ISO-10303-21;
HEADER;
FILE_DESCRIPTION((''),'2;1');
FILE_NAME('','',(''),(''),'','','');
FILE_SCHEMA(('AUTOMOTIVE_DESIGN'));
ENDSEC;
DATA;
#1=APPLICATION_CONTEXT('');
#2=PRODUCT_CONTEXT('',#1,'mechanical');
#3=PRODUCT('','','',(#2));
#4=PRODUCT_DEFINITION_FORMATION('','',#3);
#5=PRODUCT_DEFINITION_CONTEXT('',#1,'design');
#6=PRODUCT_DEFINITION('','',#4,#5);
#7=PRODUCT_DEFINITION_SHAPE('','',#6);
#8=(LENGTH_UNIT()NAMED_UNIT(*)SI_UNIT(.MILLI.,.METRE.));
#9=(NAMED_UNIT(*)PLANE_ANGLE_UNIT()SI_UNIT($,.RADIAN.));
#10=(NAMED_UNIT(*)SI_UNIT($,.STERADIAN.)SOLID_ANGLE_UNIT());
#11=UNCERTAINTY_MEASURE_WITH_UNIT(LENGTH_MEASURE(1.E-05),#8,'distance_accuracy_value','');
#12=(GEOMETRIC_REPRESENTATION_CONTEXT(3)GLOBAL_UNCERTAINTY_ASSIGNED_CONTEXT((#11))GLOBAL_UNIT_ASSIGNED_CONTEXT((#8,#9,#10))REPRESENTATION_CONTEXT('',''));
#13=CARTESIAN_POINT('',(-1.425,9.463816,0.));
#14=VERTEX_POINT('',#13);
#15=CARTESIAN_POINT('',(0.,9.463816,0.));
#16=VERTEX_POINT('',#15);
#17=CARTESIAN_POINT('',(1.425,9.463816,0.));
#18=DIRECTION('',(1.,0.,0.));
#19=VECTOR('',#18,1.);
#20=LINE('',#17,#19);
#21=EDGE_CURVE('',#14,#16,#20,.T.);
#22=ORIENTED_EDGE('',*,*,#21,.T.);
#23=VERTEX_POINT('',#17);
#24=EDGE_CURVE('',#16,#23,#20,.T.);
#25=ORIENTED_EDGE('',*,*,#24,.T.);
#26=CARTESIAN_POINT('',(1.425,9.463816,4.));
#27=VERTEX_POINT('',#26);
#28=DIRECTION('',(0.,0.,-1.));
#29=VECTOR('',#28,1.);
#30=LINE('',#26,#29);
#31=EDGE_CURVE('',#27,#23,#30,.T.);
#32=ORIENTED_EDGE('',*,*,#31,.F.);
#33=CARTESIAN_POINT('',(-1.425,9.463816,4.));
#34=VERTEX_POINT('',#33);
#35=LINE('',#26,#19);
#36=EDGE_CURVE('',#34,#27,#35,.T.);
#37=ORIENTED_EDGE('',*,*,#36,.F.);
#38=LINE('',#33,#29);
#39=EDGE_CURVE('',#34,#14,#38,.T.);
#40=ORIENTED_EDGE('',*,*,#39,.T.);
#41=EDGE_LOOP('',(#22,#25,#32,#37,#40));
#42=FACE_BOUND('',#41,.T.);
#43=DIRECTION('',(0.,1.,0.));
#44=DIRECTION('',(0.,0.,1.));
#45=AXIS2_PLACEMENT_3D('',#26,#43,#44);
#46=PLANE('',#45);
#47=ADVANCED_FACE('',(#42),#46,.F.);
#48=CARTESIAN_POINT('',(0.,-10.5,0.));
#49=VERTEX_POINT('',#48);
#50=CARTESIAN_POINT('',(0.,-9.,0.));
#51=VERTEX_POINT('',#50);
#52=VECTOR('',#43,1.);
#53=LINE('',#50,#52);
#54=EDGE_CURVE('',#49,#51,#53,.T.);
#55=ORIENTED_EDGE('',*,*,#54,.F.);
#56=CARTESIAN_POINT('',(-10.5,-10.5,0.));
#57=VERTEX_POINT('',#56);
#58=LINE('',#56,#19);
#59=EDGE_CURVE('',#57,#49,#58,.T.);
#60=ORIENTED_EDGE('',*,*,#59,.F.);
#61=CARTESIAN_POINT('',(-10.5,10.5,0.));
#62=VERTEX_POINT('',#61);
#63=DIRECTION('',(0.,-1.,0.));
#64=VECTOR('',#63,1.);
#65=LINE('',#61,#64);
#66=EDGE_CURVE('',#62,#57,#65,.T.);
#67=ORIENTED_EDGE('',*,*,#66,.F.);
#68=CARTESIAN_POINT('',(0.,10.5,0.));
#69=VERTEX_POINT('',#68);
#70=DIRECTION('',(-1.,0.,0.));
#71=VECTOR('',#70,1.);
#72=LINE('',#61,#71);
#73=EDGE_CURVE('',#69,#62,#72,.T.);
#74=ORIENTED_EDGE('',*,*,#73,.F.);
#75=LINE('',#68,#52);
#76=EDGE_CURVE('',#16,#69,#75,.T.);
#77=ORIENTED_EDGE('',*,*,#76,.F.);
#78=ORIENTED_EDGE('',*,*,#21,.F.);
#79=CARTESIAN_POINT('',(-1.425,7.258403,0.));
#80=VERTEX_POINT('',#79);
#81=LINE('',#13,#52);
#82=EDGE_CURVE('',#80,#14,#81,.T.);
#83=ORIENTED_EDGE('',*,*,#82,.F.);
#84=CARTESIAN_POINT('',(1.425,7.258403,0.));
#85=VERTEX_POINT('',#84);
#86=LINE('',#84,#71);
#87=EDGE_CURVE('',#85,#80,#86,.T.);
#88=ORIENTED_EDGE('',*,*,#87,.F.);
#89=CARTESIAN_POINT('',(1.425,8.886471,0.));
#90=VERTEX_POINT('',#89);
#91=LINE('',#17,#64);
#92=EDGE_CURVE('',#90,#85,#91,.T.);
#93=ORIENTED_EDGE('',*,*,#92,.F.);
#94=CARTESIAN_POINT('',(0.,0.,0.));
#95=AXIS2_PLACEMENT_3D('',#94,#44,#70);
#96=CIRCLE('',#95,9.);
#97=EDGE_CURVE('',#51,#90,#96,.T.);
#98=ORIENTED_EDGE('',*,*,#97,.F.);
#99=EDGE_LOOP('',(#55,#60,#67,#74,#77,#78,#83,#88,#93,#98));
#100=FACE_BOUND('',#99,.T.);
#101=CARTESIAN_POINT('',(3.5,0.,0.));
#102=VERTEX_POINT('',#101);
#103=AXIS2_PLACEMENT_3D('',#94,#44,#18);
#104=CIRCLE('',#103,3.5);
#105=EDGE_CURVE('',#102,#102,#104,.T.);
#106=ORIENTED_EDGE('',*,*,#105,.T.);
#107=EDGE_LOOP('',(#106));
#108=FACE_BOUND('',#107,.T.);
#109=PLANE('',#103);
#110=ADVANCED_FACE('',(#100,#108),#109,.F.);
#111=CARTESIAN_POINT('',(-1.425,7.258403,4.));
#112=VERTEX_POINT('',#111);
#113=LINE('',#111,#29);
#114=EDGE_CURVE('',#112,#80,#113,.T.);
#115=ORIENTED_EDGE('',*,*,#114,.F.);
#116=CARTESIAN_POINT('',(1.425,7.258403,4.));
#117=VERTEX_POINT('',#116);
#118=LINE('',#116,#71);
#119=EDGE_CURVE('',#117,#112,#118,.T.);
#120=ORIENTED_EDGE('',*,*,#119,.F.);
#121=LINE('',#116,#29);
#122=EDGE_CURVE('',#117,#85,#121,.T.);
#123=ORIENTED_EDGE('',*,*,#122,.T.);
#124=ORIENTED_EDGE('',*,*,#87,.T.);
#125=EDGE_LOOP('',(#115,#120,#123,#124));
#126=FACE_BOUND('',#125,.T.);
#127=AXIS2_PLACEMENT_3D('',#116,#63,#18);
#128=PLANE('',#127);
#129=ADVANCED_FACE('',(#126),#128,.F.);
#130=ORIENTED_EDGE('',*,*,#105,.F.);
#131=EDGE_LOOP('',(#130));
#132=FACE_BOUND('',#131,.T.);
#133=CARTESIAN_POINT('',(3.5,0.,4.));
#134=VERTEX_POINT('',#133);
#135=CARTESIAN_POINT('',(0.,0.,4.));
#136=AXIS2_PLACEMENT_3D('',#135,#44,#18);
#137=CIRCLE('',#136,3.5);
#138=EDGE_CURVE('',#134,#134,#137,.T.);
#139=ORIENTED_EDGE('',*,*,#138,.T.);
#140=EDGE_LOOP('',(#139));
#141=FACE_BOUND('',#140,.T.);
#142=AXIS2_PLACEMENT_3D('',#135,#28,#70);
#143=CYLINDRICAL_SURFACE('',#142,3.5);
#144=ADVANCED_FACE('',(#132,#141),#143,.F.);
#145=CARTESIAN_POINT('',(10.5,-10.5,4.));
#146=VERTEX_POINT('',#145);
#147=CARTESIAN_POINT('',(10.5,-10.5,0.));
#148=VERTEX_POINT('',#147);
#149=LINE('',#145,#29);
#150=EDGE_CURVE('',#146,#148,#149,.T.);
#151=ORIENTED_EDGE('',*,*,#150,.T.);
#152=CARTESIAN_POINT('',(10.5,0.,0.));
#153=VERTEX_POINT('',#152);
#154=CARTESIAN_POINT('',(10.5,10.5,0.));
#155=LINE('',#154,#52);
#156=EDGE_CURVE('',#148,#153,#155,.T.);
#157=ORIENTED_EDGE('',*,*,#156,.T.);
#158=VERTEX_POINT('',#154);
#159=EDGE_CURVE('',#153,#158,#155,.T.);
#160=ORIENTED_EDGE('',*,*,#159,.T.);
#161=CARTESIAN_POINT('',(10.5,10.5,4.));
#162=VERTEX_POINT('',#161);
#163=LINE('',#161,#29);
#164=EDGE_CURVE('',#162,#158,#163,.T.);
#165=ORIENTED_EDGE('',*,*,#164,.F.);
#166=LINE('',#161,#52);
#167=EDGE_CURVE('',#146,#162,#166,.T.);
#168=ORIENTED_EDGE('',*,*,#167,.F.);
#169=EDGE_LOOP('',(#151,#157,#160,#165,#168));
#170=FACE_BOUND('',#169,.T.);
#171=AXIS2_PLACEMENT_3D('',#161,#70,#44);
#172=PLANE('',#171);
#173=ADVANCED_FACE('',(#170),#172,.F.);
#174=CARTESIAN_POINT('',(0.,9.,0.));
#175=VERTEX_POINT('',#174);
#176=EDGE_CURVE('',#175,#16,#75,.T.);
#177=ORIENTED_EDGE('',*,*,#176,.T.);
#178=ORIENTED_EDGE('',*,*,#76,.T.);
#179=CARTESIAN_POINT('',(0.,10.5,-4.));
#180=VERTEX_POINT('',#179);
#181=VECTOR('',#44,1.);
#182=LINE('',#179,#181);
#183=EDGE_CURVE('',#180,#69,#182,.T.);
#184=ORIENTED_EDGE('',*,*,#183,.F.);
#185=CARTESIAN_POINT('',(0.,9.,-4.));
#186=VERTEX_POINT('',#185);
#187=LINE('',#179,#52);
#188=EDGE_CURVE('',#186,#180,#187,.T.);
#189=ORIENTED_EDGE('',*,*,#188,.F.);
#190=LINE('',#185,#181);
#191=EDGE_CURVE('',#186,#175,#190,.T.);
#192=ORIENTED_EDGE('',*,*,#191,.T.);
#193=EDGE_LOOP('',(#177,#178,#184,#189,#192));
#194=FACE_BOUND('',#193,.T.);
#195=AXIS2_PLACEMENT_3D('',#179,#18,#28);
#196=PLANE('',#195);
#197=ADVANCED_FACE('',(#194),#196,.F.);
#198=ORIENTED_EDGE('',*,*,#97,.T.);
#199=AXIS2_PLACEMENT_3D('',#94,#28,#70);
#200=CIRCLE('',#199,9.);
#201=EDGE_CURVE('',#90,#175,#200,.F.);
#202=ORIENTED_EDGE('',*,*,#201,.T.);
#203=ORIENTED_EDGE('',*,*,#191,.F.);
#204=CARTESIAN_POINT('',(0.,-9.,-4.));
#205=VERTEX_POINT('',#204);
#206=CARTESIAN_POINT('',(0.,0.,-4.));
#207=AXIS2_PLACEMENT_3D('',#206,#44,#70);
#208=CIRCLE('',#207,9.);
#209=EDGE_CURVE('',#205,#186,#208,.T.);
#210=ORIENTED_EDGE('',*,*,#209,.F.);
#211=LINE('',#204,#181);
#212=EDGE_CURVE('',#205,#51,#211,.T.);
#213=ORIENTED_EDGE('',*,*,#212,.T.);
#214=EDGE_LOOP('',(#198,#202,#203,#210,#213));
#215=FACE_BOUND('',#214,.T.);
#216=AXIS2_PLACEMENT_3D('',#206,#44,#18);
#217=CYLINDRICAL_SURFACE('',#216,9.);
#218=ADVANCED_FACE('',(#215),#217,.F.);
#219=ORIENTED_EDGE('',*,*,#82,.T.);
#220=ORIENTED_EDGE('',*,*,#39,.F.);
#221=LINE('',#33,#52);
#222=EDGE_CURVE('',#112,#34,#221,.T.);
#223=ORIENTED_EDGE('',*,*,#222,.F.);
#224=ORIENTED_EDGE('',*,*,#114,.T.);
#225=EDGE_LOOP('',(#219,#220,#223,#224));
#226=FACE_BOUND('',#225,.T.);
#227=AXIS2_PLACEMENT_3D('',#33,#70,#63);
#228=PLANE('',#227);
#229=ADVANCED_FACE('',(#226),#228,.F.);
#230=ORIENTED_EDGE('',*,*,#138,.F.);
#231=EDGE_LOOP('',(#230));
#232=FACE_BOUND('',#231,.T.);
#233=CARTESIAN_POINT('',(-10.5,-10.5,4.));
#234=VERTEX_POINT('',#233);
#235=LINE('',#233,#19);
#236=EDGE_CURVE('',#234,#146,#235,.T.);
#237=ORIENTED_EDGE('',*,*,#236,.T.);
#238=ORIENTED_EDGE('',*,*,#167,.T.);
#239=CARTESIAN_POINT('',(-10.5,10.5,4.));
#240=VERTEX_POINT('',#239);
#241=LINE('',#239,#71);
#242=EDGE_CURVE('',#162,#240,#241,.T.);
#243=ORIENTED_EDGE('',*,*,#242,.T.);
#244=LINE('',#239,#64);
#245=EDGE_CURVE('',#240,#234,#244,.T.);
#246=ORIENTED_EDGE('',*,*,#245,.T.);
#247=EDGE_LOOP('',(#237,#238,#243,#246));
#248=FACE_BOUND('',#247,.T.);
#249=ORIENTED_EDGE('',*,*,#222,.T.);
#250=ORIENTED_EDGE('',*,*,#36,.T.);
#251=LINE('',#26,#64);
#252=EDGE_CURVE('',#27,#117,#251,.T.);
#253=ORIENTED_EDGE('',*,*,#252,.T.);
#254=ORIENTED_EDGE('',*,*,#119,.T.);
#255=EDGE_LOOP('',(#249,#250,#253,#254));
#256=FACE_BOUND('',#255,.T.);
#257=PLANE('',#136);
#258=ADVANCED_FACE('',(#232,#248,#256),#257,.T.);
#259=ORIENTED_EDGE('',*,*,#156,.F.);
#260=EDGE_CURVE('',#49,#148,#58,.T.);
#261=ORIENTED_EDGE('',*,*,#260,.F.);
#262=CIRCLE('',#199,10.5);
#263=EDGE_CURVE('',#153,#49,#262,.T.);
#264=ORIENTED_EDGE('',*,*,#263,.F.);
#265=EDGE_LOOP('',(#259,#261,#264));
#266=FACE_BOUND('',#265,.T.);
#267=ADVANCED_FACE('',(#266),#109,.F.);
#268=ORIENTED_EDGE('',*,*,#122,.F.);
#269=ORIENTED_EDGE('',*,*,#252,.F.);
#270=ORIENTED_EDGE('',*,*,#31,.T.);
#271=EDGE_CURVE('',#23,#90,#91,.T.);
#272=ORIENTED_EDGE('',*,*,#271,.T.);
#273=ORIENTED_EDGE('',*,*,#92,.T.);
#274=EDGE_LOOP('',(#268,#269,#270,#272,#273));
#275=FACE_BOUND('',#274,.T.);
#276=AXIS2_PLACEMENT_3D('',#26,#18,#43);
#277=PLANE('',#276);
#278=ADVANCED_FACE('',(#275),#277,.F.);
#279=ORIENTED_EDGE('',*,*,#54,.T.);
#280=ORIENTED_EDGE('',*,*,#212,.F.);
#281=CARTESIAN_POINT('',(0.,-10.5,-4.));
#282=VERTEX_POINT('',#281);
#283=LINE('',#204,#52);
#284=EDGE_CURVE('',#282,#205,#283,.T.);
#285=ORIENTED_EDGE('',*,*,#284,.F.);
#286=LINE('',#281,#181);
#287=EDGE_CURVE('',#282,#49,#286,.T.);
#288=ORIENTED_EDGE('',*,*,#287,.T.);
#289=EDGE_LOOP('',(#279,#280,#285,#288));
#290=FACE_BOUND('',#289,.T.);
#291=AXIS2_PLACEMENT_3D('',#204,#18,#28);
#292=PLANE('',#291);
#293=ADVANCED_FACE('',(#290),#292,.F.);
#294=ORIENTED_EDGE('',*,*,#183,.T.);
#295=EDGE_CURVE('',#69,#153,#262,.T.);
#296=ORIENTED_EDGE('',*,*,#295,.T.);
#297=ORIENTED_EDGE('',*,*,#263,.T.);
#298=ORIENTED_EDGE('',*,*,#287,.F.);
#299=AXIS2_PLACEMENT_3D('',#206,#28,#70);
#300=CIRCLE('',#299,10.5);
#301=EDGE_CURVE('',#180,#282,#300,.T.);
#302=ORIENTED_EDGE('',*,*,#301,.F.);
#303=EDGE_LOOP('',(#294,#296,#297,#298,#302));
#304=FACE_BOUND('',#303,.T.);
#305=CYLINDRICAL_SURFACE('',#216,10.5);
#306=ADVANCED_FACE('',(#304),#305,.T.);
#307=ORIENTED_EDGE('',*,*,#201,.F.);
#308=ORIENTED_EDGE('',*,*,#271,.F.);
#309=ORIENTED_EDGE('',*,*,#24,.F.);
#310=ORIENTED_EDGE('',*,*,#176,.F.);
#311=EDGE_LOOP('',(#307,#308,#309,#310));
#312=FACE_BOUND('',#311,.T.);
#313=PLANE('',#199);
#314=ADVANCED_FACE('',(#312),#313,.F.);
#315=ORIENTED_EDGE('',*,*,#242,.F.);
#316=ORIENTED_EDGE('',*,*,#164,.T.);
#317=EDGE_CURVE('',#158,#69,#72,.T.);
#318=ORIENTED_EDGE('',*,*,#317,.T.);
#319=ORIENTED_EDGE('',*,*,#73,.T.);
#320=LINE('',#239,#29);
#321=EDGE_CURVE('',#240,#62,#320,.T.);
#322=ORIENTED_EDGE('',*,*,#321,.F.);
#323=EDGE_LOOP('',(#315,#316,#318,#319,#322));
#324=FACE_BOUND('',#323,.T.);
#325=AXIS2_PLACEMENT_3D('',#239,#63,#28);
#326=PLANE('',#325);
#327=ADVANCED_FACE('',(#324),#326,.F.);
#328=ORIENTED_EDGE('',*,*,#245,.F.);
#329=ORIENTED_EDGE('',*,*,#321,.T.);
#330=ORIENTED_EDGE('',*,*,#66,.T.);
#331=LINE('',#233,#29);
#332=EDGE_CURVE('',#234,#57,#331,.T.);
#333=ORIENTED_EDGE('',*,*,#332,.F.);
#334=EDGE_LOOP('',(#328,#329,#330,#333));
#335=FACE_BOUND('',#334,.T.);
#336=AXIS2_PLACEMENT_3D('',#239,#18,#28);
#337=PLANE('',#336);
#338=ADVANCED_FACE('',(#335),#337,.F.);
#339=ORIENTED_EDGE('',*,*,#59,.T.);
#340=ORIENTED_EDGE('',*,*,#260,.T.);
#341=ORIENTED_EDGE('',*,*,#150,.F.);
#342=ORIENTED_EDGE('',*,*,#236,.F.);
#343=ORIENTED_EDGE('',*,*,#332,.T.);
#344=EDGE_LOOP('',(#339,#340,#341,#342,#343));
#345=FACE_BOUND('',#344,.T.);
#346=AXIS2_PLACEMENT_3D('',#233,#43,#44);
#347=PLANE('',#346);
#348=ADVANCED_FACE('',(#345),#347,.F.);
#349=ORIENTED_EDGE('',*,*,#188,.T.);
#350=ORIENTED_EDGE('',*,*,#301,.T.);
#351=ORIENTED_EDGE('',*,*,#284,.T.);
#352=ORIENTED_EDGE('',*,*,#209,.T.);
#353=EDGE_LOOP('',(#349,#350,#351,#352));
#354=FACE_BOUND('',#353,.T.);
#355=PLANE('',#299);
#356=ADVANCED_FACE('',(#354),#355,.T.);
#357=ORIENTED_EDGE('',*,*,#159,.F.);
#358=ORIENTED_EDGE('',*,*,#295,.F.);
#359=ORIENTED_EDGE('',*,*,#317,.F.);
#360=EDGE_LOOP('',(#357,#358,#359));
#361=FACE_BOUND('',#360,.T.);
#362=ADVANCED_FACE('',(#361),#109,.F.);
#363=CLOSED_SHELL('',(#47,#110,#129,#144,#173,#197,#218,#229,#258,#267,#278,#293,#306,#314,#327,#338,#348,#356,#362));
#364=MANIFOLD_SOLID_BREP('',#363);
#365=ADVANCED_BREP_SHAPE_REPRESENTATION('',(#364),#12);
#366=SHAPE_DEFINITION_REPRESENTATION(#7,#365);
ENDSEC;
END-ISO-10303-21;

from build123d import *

# Parameters (mm, degrees)
SKETCH1_W           = 21
SKETCH1_H           = 21
SKETCH1_R           = 3.5
BOSS_EXTRUDE1_DEPTH = 4
BOSS_EXTRUDE2_DEPTH = 4
SKETCH3_W           = 2.85
SKETCH3_H           = 2.205413133
CUT_EXTRUDE1_DEPTH  = 4


with BuildPart() as part:
    # Sketch1 → Boss-Extrude1 (new body)
    with BuildSketch(Plane.XY):
        Rectangle(SKETCH1_W, SKETCH1_H)
        Circle(SKETCH1_R, mode=Mode.SUBTRACT)
    extrude(amount=BOSS_EXTRUDE1_DEPTH)

    # Sketch2 → Boss-Extrude2 (add)
    with BuildSketch(Plane(origin=(0, 0, 0), x_dir=(-1, 0, 0), z_dir=(0, 0, -1))):
        with BuildLine():
            Line((0, 10.5), (0, 9))
            ThreePointArc((0, 9), (-9, 0), (0, -9))
            Line((0, -9), (0, -10.5))
            ThreePointArc((0, -10.5), (-10.5, 0), (0, 10.5))
        make_face()
    extrude(amount=BOSS_EXTRUDE2_DEPTH)

    # Sketch3 → Cut-Extrude1 (cut)
    with BuildSketch(Plane(origin=(0, 0, 0), x_dir=(-1, 0, 0), z_dir=(0, 0, -1))):
        with Locations((0, 8.361109671)):
            Rectangle(SKETCH3_W, SKETCH3_H)
    extrude(amount=-CUT_EXTRUDE1_DEPTH, mode=Mode.SUBTRACT)


solid = part.part
